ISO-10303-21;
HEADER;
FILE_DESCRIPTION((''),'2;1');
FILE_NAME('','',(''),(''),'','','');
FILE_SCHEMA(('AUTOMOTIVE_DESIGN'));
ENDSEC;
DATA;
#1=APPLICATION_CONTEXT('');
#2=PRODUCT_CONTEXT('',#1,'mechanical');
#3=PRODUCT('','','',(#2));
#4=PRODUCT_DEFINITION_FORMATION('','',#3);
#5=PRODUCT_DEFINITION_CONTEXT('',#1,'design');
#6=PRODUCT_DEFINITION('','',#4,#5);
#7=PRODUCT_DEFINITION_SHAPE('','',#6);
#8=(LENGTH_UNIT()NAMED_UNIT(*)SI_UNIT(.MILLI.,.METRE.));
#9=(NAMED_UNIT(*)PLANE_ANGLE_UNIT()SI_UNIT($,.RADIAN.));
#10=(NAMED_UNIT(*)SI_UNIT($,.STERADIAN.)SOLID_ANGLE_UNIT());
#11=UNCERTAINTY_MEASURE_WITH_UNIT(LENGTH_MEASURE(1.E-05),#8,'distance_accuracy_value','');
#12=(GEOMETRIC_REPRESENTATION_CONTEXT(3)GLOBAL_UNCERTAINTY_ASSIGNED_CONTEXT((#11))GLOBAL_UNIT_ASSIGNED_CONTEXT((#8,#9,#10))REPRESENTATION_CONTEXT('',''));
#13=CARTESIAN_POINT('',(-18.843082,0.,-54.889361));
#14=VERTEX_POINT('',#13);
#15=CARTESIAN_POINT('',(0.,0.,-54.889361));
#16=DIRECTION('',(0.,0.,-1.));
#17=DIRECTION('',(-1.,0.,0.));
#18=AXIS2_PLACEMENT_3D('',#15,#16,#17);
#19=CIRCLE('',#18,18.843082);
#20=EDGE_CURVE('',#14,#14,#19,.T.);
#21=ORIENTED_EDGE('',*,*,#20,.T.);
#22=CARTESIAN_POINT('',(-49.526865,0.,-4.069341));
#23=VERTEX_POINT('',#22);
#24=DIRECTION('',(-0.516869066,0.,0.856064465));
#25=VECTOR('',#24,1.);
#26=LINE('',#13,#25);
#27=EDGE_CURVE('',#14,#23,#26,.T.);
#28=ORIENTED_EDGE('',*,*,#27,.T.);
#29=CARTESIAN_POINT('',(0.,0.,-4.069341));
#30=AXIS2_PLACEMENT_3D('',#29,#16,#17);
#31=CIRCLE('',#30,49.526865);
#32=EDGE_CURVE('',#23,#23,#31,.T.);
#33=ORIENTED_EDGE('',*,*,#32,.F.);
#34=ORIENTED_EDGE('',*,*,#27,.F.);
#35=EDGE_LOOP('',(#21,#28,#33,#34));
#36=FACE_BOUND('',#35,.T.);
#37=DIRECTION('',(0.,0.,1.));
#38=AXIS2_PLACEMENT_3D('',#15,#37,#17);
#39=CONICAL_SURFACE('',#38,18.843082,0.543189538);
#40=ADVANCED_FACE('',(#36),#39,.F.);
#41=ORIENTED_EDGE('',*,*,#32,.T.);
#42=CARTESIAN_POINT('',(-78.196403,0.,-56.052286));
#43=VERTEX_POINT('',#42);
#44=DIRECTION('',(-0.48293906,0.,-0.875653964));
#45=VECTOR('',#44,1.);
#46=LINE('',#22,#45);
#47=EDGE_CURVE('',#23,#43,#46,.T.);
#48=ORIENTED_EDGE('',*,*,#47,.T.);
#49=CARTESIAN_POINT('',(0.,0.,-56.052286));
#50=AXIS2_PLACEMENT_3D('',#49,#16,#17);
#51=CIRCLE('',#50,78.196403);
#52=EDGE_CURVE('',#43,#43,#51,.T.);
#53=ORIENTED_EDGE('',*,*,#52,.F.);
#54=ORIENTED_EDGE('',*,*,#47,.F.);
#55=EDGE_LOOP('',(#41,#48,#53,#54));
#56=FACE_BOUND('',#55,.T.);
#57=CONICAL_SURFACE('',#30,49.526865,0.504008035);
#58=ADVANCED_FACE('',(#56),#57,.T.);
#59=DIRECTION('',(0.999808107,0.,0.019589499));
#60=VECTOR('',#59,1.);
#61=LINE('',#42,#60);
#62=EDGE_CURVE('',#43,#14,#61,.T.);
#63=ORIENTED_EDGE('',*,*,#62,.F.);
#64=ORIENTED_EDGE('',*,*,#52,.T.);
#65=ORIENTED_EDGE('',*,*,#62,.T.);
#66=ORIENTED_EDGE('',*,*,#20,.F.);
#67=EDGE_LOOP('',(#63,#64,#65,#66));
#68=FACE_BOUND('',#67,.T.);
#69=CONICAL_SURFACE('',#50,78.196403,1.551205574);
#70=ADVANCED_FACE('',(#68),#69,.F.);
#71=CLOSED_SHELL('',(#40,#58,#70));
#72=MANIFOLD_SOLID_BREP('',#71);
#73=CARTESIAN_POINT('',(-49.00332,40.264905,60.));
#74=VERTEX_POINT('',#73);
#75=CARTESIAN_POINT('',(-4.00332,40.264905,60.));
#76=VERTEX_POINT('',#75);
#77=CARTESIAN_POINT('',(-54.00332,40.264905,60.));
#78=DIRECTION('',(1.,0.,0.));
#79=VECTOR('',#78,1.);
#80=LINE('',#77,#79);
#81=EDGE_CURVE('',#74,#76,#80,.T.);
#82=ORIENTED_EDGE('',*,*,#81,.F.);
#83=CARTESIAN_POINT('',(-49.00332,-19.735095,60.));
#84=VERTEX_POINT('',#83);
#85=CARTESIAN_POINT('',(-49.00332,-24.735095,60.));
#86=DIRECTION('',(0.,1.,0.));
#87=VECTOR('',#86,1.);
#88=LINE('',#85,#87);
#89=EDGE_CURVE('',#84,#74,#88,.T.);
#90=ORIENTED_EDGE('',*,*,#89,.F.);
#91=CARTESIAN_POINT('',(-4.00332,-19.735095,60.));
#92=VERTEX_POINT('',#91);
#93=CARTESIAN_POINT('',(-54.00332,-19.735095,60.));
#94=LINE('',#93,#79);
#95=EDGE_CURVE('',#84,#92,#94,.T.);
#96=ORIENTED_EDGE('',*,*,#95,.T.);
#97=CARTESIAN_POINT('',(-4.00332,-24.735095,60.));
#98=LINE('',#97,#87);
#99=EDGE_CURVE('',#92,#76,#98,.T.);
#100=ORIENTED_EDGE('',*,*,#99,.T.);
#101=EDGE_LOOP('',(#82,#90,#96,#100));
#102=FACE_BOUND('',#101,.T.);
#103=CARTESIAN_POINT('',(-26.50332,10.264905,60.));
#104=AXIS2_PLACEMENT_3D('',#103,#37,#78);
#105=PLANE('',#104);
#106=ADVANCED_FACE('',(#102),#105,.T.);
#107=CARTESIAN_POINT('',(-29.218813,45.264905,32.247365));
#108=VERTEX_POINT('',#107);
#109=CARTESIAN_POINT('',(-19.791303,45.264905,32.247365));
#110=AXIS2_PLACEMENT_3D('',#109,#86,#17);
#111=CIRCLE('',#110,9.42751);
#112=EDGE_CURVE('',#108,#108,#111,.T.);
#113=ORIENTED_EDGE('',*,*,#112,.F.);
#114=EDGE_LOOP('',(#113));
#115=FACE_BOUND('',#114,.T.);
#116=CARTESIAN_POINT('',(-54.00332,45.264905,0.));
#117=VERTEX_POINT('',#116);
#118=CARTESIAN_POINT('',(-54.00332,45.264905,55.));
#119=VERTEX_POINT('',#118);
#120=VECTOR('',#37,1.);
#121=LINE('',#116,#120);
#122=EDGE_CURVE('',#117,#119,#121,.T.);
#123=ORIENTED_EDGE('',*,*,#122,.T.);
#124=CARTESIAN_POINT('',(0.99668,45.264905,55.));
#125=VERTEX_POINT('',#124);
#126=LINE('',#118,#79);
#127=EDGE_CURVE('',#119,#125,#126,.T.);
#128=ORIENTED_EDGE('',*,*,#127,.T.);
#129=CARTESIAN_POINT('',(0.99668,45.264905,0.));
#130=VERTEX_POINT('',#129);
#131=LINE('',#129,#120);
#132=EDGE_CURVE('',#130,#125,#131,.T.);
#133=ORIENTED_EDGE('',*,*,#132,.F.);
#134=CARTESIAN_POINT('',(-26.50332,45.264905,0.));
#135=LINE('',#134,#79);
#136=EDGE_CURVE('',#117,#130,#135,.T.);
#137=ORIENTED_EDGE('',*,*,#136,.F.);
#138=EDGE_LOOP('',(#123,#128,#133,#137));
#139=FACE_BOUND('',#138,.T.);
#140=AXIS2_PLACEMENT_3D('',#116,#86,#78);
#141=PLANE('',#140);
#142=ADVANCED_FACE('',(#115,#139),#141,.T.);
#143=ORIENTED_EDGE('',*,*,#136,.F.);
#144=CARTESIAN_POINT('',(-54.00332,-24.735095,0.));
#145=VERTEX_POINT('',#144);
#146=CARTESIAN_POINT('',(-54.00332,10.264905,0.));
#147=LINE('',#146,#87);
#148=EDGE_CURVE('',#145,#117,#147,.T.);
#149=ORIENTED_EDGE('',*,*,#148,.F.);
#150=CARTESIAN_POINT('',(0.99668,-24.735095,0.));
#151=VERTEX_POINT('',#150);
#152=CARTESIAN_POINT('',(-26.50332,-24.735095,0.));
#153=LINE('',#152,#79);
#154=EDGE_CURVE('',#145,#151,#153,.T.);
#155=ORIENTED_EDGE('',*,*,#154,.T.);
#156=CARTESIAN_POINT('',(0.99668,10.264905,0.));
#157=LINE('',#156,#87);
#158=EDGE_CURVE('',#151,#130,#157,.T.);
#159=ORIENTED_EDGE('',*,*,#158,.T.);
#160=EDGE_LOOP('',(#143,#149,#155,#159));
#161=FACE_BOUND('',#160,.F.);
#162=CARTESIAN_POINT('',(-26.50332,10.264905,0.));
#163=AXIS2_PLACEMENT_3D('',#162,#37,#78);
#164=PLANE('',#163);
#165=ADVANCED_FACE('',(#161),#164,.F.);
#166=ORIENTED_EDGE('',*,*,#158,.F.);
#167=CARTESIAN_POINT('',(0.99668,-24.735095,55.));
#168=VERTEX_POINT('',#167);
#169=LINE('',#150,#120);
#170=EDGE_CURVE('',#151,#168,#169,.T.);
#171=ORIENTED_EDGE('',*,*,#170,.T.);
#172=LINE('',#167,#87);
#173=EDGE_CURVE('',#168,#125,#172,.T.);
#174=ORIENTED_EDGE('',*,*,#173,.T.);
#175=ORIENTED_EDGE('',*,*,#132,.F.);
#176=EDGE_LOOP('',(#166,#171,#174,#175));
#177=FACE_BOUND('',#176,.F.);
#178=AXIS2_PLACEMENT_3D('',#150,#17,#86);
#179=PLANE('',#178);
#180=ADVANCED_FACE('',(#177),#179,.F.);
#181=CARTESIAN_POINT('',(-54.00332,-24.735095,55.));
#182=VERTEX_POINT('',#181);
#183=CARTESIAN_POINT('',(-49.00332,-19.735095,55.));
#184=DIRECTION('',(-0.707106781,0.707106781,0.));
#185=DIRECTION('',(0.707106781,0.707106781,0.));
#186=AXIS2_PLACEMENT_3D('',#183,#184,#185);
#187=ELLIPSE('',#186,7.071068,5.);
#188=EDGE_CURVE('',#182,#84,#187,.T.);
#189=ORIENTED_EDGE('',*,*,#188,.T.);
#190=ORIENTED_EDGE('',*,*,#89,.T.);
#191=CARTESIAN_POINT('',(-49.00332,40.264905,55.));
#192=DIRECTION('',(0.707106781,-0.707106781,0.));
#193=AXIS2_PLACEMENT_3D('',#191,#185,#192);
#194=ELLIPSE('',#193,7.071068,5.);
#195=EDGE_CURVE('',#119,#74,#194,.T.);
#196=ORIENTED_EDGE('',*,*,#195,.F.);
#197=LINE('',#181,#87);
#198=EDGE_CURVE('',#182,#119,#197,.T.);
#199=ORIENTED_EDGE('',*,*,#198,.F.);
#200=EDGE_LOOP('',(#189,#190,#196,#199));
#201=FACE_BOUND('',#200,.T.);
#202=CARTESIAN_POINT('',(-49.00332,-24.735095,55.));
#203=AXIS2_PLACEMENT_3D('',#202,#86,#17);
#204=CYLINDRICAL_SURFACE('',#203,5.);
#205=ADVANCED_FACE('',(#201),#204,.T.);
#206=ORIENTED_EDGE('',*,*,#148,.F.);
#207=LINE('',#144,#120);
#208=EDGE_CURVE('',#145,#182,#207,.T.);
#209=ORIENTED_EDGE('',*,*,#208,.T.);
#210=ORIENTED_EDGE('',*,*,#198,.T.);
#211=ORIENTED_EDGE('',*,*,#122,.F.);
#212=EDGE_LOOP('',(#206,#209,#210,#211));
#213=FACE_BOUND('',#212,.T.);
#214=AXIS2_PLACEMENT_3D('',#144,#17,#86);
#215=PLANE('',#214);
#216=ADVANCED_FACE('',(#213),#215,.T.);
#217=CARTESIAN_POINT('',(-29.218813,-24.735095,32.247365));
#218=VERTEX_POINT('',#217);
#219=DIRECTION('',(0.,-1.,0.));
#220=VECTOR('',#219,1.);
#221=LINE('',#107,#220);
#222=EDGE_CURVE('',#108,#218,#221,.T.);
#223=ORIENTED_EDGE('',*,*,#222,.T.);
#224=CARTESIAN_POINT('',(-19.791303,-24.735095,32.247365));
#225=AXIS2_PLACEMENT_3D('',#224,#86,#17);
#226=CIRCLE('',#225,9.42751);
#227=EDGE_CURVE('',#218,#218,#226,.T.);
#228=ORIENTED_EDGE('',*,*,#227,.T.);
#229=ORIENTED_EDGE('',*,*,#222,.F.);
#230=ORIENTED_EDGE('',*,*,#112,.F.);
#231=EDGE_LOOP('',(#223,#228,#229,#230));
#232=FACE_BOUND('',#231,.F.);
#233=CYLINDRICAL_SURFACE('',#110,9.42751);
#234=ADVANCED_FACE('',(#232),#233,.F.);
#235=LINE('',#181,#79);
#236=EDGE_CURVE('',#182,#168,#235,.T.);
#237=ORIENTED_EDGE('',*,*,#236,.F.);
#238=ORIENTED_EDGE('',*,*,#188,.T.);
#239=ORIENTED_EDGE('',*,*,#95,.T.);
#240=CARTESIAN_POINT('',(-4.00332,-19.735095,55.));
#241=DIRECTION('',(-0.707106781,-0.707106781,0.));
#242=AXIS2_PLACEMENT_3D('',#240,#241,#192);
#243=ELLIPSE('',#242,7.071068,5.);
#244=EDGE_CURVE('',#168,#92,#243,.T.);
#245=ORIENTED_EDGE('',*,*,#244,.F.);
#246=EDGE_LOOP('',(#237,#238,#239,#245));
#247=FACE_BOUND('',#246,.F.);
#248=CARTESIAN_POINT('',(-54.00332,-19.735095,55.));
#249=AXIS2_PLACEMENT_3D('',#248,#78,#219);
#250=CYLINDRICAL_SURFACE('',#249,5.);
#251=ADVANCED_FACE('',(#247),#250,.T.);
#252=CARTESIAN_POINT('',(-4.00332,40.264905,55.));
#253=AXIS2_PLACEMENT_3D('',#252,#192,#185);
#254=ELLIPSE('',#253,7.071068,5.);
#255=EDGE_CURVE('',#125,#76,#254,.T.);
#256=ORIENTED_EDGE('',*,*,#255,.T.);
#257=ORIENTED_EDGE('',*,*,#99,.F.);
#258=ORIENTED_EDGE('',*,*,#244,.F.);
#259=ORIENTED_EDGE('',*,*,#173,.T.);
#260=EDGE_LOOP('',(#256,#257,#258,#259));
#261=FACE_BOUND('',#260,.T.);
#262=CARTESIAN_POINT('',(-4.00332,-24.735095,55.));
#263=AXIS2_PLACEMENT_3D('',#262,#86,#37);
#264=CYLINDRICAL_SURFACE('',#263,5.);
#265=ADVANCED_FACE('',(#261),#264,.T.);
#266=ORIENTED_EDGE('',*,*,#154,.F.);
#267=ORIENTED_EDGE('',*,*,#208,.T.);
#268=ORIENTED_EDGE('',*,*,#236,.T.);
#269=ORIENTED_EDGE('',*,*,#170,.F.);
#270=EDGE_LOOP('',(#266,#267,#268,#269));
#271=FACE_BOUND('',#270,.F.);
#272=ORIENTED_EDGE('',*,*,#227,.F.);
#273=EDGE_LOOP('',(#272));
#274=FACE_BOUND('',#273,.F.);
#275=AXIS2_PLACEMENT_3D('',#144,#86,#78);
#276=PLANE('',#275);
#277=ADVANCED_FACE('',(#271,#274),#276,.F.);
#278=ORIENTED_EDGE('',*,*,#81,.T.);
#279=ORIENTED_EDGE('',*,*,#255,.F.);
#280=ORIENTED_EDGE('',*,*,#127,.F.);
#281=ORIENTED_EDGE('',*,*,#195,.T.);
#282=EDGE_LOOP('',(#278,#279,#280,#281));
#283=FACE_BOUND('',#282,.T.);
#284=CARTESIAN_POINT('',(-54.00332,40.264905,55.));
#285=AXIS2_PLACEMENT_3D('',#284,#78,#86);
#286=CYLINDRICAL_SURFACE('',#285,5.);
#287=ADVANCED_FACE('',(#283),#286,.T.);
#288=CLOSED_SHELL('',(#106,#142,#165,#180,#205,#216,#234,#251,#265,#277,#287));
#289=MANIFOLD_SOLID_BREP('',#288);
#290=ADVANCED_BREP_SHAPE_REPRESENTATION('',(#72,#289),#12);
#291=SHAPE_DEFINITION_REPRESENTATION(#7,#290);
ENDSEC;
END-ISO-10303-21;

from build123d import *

# Parameters (mm, degrees)
F0_W     = 55
F0_H     = 70
F1_DEPTH = 60
F2_R     = 9.42751
F3_DEPTH = 90
F4_R     = 5


with BuildPart() as f1:
    # F0 (on Top) → F1 (new body)
    with BuildSketch(Plane.XY):
        with Locations((-26.50332, 10.264905)):
            Rectangle(F0_W, F0_H)
    extrude(amount=F1_DEPTH)

    # F2 (on face) → F3 (cut)
    with BuildSketch(Plane(origin=(0, 45.264905, 0), x_dir=(-1, 0, 0), z_dir=(0, 1, 0))):
        with Locations((19.791303, 32.247365)):
            Circle(F2_R)
    extrude(amount=-F3_DEPTH, mode=Mode.SUBTRACT)

    # F4
    f4_edges = [f1.edges().sort_by_distance(p)[0] for p in [
        (-26.50332, 45.264905, 60),
        (-54.00332, 10.264905, 60),
        (-26.50332, -24.735095, 60),
        (0.99668, 10.264905, 60),
    ]]
    fillet(f4_edges, radius=F4_R)


with BuildPart() as f6:
    # F5 (on Front) → F6 (revolve)
    with BuildSketch(Plane.XZ):
        Polygon((-18.843082, -54.889361), (-49.526865, -4.069341), (-78.196403, -56.052286), align=None)
    revolve(axis=Axis((0, 0, -36.606986), (0, 0, -1)))


solid = Compound([f1.part, f6.part])
